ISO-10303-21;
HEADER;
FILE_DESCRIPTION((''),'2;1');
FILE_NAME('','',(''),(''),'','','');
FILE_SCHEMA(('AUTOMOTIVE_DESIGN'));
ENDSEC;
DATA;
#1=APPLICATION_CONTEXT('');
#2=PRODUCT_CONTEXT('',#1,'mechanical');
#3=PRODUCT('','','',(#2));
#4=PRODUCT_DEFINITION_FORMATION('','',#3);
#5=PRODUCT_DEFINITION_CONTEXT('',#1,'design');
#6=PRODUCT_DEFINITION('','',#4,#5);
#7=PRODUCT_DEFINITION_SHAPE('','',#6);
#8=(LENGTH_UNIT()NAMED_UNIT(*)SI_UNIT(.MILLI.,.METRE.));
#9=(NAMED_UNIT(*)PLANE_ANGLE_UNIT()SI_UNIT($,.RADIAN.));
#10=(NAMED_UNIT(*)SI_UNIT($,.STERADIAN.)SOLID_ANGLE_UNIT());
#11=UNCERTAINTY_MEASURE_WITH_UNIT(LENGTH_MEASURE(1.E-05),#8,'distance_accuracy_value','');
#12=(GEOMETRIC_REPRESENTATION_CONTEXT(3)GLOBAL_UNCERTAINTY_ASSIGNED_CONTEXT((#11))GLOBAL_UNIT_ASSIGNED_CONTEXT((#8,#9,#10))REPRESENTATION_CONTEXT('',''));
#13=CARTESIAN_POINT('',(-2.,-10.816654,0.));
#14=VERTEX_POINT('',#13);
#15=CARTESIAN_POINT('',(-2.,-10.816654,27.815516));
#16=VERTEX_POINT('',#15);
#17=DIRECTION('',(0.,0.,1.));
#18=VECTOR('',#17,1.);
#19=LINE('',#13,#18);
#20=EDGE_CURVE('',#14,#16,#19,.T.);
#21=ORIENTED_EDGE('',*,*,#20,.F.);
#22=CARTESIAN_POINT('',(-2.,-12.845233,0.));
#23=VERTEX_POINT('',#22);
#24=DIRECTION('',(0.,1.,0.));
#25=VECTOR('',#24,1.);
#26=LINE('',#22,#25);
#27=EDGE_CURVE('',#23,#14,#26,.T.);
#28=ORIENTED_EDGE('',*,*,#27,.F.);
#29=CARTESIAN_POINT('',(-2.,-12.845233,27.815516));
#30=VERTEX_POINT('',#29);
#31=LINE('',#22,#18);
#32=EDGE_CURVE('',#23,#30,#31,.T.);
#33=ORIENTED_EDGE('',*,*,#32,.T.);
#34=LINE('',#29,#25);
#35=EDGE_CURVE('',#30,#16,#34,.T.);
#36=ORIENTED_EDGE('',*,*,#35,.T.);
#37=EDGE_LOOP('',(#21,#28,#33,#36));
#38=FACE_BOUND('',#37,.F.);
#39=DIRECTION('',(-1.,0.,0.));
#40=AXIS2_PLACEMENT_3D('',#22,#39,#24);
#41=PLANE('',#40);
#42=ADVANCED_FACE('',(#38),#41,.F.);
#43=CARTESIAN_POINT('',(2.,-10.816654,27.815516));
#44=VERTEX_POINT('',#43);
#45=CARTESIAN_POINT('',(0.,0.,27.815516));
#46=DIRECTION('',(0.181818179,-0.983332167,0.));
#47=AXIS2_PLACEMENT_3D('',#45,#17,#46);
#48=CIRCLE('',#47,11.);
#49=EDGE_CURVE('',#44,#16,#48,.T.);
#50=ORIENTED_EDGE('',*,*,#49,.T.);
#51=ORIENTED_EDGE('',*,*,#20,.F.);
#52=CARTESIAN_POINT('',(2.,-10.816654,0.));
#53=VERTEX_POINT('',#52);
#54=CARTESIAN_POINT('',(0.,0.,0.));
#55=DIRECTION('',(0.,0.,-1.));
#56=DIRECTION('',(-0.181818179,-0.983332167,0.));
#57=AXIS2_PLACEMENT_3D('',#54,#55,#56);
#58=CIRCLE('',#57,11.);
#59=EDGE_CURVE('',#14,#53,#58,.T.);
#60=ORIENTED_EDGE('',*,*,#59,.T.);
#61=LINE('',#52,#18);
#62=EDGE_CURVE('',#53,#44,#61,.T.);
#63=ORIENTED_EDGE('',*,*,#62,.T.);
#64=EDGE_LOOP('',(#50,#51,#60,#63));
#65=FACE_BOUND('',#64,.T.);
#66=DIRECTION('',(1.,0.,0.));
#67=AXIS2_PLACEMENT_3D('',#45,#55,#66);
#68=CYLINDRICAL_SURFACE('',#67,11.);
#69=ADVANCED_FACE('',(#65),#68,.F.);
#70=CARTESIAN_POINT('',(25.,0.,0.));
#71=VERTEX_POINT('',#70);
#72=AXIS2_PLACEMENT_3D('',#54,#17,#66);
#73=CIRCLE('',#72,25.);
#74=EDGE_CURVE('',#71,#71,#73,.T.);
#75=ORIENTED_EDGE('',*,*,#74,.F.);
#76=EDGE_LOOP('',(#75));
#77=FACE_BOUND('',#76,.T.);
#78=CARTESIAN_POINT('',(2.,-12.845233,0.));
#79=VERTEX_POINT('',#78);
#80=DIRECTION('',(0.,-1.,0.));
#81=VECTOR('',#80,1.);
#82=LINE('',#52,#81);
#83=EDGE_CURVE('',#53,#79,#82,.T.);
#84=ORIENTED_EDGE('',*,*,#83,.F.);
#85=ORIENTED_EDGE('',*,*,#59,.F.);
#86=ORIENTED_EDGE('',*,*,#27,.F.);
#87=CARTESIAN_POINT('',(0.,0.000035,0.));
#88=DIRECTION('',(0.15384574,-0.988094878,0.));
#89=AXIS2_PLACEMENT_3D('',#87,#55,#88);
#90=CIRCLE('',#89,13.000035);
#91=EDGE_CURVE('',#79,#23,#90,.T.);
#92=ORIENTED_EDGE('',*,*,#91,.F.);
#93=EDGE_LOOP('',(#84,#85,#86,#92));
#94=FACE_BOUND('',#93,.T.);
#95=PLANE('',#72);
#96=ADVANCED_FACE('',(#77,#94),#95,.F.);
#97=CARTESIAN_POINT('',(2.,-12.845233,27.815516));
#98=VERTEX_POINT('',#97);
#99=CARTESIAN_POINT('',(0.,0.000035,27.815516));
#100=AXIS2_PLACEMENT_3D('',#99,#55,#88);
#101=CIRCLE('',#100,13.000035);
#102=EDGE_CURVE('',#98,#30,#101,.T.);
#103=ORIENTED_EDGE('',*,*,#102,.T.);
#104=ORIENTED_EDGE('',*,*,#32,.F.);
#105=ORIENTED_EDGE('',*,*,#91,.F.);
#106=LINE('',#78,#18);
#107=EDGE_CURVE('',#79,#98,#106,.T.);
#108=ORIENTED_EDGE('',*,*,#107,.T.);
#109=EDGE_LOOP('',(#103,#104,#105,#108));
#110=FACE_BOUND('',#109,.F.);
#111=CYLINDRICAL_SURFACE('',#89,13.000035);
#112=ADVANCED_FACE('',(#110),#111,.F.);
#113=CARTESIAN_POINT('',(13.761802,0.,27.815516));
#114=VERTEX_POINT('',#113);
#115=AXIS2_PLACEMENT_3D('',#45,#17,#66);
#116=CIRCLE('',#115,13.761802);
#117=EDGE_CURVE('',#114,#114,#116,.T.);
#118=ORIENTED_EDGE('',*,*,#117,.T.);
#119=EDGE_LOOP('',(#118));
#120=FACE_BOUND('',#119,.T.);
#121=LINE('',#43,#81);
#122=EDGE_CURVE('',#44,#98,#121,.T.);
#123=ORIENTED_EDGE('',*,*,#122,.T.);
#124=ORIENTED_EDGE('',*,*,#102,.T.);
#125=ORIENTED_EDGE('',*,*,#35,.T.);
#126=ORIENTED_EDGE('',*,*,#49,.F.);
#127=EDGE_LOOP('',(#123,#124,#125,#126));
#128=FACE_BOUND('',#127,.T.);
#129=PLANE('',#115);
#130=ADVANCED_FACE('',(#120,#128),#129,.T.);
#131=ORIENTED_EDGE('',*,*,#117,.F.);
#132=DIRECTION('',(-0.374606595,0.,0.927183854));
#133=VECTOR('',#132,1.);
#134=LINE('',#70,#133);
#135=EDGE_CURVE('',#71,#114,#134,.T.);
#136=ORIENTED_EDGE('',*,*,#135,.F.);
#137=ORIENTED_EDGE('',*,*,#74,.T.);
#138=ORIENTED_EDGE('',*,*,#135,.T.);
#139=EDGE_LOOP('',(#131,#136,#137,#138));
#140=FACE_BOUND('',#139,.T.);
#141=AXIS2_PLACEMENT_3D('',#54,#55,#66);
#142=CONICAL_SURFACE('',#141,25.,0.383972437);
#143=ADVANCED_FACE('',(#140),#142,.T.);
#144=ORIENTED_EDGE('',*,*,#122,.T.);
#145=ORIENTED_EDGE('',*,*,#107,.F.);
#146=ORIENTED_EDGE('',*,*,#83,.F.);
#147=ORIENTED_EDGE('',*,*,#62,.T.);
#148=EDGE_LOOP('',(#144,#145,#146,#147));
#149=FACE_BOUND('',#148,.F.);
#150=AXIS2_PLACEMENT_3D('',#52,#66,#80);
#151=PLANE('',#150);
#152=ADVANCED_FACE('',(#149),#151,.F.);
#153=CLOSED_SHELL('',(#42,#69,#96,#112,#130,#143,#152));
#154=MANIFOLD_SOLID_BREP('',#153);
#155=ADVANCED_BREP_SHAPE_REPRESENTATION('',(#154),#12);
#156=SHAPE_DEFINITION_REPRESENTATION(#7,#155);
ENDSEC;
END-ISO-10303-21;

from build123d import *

# Parameters (mm, degrees)
F3_DEPTH = 27.815516


with BuildPart() as f1:
    # F0 (on Front) → F1 (revolve)
    with BuildSketch(Plane.XZ):
        Polygon((11, 27.815516), (11, 0), (25, 0), (13.761802, 27.815516), align=None)
    revolve(axis=Axis((0, 0, 28.414933), (0, 0, 1)))

    # F2 (on face) → F3 (cut, through all)
    with BuildSketch(Plane(origin=(0, 0, 0), x_dir=(1, 0, 0), z_dir=(0, 0, -1))):
        with BuildLine():
            Line((2, 10.816654), (2, 12.845233))
            ThreePointArc((2, 12.845233), (0, 13), (-2, 12.845233))
            Line((-2, 12.845233), (-2, 10.816654))
            ThreePointArc((-2, 10.816654), (0, 11), (2, 10.816654))
        make_face()
    extrude(amount=-F3_DEPTH, mode=Mode.SUBTRACT)


solid = f1.part
